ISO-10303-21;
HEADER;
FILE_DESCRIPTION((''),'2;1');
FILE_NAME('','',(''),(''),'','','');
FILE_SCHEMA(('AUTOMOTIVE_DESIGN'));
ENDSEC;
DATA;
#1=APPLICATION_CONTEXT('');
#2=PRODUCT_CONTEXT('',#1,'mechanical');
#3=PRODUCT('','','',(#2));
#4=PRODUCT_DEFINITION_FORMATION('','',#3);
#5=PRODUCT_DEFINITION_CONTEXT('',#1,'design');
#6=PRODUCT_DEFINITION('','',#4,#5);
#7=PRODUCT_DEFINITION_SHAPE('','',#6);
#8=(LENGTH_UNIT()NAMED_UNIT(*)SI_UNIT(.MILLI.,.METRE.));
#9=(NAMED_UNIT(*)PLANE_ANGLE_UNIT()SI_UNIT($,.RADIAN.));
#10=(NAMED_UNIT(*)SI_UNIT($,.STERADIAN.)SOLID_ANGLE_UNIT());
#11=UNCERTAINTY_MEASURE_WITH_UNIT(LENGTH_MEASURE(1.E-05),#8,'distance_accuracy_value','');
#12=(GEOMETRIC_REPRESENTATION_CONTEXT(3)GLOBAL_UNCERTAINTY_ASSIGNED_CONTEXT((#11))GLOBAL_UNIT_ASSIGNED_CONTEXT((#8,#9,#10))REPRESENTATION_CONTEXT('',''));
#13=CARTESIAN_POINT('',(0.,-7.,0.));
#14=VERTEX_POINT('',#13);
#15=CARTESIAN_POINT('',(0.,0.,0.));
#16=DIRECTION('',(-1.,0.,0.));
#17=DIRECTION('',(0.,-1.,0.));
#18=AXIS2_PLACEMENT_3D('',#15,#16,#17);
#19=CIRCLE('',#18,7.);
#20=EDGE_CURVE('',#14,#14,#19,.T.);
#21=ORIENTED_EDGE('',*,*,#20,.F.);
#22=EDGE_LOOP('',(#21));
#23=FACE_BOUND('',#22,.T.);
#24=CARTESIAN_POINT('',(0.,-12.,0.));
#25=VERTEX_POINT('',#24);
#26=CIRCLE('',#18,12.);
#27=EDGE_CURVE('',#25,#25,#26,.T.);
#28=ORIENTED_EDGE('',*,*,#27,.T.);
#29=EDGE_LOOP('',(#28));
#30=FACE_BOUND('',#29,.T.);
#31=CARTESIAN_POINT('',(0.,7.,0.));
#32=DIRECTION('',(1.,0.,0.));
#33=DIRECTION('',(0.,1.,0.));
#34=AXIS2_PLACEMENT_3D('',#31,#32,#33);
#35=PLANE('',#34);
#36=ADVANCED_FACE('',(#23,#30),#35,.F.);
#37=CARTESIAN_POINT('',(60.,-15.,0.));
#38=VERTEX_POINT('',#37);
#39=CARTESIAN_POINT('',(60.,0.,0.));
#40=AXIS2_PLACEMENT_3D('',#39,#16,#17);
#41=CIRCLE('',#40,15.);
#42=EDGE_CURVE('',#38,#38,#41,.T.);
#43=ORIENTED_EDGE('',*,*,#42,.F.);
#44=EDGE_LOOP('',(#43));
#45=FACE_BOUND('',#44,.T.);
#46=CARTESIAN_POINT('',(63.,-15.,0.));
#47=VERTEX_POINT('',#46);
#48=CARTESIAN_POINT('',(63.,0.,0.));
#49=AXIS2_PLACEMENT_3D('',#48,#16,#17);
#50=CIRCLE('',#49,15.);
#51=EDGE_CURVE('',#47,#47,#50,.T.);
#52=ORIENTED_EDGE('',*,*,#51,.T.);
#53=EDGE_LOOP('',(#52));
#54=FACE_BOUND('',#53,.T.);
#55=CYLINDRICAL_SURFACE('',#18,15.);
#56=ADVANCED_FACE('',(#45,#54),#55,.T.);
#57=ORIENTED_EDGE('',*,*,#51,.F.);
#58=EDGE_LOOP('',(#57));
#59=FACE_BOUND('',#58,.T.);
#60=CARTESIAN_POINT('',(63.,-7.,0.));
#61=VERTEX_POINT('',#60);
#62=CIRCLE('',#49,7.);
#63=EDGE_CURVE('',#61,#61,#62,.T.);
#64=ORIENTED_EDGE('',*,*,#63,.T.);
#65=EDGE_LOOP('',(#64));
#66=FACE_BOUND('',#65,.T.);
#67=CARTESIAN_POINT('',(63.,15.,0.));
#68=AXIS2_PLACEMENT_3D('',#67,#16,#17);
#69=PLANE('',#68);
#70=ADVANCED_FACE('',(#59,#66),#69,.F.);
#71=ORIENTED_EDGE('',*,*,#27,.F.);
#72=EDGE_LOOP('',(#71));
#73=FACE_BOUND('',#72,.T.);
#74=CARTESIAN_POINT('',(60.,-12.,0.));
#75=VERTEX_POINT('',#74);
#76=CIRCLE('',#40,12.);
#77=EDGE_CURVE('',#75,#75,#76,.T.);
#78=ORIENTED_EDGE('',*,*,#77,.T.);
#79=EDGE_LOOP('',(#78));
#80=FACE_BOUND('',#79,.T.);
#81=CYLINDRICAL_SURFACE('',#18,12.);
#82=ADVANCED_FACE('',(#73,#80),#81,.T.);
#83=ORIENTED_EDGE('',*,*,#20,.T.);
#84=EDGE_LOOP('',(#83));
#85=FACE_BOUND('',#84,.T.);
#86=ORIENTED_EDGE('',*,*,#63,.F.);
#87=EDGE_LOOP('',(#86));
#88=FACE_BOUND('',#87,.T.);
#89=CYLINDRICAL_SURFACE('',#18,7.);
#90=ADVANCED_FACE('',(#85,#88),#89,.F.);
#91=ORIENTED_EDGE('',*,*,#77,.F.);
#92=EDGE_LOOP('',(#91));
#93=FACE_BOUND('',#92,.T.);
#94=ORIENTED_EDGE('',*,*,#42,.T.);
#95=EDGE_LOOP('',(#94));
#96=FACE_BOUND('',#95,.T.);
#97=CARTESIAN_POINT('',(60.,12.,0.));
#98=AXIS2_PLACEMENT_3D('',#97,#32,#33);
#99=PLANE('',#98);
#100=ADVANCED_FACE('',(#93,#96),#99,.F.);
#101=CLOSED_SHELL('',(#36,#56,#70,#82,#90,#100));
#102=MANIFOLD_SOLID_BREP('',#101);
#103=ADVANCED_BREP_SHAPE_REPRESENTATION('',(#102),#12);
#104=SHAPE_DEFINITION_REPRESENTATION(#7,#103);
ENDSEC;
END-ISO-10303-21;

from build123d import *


with BuildPart() as part:
    # Эскиз1 → Повернуть1 (revolve)
    with BuildSketch(Plane.XY, mode=Mode.PRIVATE) as revolve_1_sk:
        Polygon((0, 7), (0, 12), (60, 12), (60, 15), (63, 15), (63, 7), align=None)
    revolve(revolve_1_sk.sketch.rotate(Axis((0, 0, 0), (1, 0, 0)), 180), axis=Axis((0, 0, 0), (1, 0, 0)))


solid = part.part
